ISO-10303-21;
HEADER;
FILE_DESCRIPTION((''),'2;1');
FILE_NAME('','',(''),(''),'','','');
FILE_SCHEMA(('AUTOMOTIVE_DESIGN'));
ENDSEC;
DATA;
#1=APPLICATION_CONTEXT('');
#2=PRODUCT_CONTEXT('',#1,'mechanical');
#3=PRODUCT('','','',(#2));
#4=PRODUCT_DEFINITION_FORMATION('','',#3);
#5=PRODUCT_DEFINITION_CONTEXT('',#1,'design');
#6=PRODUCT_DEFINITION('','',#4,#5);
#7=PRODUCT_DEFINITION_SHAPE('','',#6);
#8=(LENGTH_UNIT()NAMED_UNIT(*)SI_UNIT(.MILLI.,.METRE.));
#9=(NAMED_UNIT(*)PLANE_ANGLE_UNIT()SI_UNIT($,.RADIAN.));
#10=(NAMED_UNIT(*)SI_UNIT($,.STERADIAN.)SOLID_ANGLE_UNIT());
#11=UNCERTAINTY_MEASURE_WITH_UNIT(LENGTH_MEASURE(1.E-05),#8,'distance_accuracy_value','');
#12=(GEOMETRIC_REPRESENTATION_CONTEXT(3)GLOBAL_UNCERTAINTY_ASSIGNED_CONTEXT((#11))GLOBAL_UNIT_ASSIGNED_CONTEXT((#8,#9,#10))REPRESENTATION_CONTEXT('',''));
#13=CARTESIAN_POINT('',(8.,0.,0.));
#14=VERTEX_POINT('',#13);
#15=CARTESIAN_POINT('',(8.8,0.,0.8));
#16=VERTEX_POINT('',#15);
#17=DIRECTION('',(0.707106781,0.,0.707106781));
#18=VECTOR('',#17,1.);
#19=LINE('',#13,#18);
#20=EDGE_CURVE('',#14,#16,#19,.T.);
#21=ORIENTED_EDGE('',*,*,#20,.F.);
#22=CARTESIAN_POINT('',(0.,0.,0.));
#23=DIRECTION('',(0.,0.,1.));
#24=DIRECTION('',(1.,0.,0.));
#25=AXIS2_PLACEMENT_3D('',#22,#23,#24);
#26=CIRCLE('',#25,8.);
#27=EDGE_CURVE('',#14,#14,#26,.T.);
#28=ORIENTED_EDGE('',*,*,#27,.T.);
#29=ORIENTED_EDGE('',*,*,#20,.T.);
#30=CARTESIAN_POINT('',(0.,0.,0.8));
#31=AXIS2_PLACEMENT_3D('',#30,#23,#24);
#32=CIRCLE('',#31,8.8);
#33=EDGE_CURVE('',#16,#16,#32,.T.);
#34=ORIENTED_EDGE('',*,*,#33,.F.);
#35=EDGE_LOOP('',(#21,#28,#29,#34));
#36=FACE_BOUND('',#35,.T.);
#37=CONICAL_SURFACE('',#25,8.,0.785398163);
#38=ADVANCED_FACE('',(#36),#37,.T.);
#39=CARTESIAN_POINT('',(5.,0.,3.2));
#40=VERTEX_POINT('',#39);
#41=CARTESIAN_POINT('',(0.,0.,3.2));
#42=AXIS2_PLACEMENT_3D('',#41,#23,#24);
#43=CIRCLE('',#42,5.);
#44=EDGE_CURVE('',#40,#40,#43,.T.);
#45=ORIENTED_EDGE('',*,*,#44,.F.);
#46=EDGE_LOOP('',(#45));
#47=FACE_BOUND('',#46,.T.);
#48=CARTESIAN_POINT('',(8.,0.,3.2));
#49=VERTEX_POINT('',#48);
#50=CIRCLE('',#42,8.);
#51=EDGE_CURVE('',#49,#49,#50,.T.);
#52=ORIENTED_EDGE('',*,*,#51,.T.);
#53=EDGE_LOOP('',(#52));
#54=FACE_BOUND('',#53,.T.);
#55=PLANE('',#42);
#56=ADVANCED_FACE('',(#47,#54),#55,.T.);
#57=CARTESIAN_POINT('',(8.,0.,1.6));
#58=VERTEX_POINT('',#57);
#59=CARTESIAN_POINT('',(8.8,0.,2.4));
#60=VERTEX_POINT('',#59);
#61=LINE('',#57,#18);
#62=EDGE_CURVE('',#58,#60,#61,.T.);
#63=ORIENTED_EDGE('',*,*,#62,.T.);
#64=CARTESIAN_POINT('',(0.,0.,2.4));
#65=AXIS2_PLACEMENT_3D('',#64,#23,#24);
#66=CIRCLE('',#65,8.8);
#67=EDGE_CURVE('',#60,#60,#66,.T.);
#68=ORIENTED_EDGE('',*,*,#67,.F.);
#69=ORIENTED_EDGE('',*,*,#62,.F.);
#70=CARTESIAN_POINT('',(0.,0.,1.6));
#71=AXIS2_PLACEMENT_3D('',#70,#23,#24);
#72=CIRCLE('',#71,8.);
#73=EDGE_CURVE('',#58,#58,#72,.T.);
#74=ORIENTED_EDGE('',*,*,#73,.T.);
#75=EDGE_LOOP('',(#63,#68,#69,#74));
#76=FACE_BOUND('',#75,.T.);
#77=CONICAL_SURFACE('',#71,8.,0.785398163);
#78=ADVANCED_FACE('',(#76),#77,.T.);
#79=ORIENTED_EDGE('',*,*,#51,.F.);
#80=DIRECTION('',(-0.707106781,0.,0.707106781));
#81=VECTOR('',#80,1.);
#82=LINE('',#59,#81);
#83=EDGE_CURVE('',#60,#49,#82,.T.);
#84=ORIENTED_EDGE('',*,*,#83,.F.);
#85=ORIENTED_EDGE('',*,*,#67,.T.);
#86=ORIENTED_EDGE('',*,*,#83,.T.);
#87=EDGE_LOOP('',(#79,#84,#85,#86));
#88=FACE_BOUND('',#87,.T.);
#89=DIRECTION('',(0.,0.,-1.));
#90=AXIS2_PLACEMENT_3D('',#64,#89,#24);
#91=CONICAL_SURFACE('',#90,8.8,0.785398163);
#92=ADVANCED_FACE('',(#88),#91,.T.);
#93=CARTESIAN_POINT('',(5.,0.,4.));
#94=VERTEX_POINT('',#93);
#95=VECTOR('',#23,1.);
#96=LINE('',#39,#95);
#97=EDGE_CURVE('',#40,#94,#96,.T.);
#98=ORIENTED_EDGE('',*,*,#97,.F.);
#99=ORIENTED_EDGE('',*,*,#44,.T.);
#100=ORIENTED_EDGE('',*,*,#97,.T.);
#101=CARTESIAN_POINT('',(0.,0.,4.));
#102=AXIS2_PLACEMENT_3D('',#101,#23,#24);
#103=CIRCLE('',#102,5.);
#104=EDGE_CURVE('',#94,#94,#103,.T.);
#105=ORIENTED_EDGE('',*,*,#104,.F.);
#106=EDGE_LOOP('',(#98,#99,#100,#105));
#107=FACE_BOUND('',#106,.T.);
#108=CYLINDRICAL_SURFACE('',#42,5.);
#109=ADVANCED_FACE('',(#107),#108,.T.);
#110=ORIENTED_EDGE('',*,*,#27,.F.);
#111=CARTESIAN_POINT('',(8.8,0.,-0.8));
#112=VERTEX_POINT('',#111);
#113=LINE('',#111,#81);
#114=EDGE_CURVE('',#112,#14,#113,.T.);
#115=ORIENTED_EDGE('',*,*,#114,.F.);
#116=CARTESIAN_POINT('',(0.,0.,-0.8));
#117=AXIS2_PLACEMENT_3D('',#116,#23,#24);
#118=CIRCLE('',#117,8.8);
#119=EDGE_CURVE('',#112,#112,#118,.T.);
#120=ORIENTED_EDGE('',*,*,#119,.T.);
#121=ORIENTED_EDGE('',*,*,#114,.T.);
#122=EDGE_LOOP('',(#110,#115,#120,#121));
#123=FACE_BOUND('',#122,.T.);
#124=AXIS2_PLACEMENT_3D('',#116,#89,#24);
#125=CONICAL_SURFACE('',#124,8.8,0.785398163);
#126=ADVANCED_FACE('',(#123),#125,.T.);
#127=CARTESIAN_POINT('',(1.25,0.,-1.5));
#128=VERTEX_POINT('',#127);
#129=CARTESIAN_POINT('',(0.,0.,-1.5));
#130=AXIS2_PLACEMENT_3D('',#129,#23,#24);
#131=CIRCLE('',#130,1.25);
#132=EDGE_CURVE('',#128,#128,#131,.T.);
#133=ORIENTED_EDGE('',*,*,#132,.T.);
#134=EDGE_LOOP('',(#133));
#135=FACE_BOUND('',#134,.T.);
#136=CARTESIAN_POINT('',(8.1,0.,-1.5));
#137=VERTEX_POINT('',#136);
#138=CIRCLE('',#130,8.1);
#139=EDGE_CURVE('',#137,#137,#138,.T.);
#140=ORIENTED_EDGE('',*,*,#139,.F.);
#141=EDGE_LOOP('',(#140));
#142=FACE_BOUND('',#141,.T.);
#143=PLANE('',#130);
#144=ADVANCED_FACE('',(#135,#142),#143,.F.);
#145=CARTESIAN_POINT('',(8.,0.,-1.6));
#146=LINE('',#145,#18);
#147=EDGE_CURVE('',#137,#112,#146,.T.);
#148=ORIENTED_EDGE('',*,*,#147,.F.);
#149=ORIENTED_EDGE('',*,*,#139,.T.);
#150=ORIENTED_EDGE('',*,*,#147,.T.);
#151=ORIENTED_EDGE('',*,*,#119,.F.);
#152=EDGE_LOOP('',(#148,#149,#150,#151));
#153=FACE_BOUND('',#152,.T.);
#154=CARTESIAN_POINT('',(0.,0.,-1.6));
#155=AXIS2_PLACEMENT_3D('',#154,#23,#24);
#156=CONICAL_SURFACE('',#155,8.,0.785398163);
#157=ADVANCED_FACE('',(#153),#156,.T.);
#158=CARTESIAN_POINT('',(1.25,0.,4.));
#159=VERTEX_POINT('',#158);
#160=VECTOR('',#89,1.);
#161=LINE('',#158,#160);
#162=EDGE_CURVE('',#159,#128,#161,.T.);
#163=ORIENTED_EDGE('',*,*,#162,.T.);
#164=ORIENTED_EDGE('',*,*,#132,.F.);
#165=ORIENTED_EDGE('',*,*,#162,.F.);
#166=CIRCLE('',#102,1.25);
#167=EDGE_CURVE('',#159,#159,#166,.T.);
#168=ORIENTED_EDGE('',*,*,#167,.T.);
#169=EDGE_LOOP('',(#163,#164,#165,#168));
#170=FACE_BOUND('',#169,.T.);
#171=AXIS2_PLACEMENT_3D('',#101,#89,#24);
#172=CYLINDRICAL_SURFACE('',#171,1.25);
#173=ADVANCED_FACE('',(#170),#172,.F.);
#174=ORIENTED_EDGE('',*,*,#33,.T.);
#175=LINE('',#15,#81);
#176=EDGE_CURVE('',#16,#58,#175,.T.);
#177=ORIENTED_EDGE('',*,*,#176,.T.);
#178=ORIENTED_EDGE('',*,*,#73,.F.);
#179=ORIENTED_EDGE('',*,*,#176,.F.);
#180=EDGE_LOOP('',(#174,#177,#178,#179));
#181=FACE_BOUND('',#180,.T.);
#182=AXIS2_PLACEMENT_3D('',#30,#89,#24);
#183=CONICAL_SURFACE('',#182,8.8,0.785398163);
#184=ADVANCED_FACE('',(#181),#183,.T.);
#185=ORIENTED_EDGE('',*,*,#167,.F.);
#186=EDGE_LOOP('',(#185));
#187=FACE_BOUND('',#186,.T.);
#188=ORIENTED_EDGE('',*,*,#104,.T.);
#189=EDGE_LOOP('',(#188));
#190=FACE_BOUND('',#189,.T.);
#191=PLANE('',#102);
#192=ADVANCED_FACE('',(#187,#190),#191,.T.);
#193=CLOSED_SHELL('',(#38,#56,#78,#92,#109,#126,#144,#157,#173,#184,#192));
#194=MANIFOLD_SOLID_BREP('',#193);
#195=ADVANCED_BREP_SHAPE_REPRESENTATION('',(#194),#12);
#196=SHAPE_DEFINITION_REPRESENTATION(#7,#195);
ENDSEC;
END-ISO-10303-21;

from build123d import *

# Parameters (mm, degrees)
SKETCH002_W   = 5
SKETCH002_H   = 4.7
ARRAY_Z_COUNT = 6
ARRAY_Z_PITCH = 1.6


with BuildPart() as innergroovedom001:
    # Sketch002 → Revolution002 (revolve)
    with BuildSketch(Plane.XZ):
        with Locations((7.5, 0.85)):
            Rectangle(SKETCH002_W, SKETCH002_H)
    revolve(axis=Axis((0, 0, 0), (0, 0, 1)))


with BuildPart() as innergroovetool:
    # Sketch001 → Revolution001 (revolve)
    with BuildSketch(Plane.XZ):
        Polygon((4, 3.2), (4, 1.6), (8, 1.6), (8.8, 2.4), (8, 3.2), align=None)
    revolve(axis=Axis((0, 0, 0), (0, 0, 1)))

    # Array Z: InnerGrooveTool ×6


with BuildPart() as innergroovetool_1:
    add(innergroovetool.part)
    with Locations(*[(0, 0, -i * ARRAY_Z_PITCH) for i in range(1, ARRAY_Z_COUNT)]):
        add(innergroovetool.part)

    # Common: intersect InnerGrooveDom001
    add(innergroovedom001.part, mode=Mode.INTERSECT)


with BuildPart() as lensfixtemplate:
    # Sketch → Revolution (revolve)
    with BuildSketch(Plane.XZ):
        Polygon((1.25, 4), (1.25, -1.5), (8, -1.5), (8, 3.2), (5, 3.2), (5, 4), align=None)
    revolve(axis=Axis((0, 0, 0), (0, 0, 1)))

    # Fusion001: union InnerGrooveTool
    add(innergroovetool_1.part)


solid = lensfixtemplate.part
